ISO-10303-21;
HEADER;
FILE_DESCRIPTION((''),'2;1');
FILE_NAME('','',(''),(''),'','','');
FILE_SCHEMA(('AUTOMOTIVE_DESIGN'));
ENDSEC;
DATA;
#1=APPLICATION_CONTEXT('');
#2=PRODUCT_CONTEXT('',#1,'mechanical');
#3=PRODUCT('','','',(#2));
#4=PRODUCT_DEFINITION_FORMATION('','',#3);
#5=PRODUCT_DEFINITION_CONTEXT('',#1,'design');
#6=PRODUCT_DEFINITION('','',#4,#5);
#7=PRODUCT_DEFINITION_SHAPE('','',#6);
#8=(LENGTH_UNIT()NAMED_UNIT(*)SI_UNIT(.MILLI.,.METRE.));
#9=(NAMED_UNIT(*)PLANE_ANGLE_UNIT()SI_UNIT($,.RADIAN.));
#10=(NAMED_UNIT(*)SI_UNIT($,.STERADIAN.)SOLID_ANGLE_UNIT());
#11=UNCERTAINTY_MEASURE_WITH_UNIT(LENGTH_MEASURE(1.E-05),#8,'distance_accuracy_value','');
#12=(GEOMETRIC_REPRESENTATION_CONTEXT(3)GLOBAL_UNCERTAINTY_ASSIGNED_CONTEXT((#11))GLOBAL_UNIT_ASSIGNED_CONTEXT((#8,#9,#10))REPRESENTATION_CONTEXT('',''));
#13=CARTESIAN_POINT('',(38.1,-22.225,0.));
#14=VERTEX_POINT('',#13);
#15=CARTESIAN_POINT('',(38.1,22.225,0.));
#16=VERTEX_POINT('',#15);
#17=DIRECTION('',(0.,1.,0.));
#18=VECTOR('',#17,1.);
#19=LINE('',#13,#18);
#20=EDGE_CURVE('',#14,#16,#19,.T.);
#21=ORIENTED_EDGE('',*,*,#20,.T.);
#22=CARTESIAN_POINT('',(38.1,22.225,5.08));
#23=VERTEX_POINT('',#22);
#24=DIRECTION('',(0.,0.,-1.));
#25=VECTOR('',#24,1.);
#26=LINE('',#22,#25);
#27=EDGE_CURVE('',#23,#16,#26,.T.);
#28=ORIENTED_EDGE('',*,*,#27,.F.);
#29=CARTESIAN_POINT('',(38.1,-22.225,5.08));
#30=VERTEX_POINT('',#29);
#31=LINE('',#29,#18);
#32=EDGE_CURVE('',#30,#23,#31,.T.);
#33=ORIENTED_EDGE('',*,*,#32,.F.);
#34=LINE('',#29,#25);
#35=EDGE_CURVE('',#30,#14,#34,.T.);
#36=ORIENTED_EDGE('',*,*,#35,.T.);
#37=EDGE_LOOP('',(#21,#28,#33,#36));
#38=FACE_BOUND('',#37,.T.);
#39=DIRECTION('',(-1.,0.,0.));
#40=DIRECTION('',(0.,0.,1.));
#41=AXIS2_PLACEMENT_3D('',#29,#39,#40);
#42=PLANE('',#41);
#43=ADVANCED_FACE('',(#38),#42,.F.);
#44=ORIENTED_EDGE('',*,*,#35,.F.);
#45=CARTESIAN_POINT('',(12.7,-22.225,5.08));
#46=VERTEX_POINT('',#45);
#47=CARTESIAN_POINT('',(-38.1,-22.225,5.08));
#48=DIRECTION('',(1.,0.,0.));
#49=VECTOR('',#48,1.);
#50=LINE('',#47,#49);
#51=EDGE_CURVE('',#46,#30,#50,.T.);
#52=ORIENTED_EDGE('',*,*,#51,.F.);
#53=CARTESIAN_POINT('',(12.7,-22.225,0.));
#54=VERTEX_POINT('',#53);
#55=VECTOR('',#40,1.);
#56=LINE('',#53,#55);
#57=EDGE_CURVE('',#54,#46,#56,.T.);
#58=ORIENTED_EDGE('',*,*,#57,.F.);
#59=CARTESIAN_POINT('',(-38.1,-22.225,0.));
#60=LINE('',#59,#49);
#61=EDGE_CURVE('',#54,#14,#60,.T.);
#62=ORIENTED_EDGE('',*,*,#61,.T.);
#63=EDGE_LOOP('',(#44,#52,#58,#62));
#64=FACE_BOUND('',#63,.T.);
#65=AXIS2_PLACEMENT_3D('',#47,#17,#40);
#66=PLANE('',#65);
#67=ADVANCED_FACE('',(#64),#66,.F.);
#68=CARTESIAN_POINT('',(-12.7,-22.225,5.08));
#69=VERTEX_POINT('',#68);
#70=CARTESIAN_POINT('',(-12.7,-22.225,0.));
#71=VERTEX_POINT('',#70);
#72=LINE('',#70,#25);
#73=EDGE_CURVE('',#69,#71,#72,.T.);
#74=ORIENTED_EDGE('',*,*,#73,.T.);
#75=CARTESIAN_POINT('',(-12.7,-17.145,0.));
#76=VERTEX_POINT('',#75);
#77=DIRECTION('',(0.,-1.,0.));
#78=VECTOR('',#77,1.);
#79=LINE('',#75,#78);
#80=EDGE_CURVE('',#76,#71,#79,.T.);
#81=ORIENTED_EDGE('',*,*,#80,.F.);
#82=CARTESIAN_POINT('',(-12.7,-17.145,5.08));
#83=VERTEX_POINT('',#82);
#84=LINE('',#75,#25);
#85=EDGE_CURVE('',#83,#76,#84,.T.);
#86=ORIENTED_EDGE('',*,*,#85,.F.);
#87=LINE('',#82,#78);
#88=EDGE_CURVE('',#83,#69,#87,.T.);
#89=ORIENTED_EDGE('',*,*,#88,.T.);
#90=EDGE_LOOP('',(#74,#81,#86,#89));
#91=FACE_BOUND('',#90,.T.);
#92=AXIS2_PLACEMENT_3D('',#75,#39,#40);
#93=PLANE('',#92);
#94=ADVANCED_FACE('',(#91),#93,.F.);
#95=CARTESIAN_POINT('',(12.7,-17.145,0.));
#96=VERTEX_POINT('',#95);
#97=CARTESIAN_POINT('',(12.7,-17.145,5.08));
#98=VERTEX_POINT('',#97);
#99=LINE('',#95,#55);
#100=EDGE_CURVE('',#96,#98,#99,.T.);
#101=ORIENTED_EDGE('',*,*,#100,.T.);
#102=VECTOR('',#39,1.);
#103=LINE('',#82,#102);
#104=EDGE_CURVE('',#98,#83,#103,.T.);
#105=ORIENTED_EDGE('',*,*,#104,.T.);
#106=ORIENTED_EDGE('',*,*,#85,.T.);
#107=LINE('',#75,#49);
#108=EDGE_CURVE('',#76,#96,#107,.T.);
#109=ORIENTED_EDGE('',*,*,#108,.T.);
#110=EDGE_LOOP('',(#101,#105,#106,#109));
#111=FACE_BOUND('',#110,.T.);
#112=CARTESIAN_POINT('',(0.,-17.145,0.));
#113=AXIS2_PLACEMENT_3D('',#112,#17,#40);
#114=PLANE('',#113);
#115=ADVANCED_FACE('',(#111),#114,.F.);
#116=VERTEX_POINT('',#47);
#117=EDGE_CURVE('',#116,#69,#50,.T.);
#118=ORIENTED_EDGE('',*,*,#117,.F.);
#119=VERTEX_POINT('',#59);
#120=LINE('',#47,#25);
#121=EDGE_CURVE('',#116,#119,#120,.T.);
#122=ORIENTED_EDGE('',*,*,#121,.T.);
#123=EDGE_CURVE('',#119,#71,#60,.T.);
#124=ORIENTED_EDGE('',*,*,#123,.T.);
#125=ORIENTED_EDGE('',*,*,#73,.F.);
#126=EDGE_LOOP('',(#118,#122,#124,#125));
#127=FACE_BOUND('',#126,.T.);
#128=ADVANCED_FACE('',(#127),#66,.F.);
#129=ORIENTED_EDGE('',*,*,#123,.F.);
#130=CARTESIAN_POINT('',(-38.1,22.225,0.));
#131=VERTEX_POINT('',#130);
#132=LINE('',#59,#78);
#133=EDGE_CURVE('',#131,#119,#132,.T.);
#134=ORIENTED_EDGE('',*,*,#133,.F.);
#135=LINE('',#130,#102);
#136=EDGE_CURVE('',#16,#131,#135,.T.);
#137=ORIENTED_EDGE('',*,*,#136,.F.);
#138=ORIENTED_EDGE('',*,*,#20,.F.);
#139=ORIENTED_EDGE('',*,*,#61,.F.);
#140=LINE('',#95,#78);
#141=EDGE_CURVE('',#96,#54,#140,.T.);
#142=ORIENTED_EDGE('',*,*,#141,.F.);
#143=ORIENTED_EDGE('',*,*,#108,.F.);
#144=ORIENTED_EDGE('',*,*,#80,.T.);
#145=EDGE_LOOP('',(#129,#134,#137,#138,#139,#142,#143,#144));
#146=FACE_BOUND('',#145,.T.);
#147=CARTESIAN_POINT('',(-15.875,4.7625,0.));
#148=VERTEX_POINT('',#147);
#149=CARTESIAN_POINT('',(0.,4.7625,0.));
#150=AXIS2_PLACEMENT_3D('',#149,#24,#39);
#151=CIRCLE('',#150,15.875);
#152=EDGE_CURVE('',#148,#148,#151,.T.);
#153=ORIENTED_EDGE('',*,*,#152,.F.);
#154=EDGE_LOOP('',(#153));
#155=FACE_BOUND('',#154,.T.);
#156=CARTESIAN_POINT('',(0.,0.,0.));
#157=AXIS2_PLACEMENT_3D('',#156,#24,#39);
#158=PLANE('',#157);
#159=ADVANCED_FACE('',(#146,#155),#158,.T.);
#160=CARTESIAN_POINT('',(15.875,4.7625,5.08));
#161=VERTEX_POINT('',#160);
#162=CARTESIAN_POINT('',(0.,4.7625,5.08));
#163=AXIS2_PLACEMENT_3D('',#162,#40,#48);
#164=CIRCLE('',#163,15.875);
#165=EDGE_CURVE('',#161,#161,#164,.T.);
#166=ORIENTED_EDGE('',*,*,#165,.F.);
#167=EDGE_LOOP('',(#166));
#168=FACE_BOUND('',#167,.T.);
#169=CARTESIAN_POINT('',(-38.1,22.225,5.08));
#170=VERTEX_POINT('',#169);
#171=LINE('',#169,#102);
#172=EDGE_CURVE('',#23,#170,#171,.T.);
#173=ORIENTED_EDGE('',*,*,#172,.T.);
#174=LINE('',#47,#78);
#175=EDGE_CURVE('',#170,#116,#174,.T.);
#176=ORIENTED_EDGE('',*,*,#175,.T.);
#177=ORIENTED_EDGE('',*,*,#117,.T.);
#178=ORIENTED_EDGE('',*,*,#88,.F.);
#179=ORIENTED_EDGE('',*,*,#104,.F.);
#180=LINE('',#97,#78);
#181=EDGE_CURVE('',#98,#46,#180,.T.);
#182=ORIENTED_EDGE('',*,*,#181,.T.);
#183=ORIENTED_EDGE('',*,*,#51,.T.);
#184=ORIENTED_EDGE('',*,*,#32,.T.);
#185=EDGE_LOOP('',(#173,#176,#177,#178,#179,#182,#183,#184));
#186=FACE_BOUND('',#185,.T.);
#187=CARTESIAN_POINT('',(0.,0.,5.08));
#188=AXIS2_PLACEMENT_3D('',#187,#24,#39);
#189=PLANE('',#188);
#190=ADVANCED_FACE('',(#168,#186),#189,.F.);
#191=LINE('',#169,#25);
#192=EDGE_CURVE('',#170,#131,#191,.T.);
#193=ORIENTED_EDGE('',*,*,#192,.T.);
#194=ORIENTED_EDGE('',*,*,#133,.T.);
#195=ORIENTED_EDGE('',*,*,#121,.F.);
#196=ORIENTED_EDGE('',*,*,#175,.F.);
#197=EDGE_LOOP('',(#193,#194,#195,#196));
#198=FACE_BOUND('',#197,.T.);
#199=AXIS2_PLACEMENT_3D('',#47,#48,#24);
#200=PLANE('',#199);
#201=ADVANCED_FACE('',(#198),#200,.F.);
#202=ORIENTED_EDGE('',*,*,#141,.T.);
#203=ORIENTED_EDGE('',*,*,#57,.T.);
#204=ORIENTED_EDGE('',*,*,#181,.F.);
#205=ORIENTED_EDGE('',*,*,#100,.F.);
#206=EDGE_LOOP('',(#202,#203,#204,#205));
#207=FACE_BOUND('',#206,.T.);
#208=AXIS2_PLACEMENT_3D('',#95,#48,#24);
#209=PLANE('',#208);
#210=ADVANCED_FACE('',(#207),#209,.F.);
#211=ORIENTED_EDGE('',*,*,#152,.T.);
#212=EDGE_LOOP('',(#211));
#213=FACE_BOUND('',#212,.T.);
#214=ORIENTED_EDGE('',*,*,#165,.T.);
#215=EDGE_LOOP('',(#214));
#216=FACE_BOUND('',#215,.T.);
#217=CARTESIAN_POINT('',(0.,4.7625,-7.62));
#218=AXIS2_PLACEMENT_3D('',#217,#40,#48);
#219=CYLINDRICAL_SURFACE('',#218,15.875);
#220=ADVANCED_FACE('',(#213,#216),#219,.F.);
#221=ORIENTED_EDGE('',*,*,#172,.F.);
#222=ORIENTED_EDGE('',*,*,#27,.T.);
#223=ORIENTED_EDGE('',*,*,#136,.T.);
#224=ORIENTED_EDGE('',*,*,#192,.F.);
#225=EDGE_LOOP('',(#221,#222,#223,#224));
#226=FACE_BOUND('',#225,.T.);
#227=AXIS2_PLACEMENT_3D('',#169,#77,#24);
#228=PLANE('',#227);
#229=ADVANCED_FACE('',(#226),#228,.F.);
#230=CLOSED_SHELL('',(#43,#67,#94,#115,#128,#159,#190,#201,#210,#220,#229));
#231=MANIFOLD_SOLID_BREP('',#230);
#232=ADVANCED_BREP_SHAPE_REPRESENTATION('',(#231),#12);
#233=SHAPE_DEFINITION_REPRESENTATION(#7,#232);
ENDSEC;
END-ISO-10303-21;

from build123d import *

# Parameters (mm, degrees)
SKETCH1_W           = 76.2
SKETCH1_H           = 44.45
BOSS_EXTRUDE1_DEPTH = 5.08
SKETCH4_R           = 15.875
CUT_EXTRUDE2_DEPTH  = 12.7
SKETCH6_W           = 25.4
SKETCH6_H           = 5.08
CUT_EXTRUDE4_DEPTH  = 5.08


with BuildPart() as part:
    # Sketch1 → Boss-Extrude1 (new body)
    with BuildSketch(Plane.XY):
        Rectangle(SKETCH1_W, SKETCH1_H)
    extrude(amount=BOSS_EXTRUDE1_DEPTH)

    # Sketch4 → Cut-Extrude2 (cut)
    with BuildSketch(Plane.XY.offset(5.08)):
        with Locations((0, 4.7625)):
            Circle(SKETCH4_R)
    extrude(amount=-CUT_EXTRUDE2_DEPTH, mode=Mode.SUBTRACT)

    # Sketch6 → Cut-Extrude4 (cut)
    with BuildSketch(Plane.XZ.offset(22.225)):
        with Locations((0, 2.54)):
            Rectangle(SKETCH6_W, SKETCH6_H)
    extrude(amount=-CUT_EXTRUDE4_DEPTH, mode=Mode.SUBTRACT)


solid = part.part
